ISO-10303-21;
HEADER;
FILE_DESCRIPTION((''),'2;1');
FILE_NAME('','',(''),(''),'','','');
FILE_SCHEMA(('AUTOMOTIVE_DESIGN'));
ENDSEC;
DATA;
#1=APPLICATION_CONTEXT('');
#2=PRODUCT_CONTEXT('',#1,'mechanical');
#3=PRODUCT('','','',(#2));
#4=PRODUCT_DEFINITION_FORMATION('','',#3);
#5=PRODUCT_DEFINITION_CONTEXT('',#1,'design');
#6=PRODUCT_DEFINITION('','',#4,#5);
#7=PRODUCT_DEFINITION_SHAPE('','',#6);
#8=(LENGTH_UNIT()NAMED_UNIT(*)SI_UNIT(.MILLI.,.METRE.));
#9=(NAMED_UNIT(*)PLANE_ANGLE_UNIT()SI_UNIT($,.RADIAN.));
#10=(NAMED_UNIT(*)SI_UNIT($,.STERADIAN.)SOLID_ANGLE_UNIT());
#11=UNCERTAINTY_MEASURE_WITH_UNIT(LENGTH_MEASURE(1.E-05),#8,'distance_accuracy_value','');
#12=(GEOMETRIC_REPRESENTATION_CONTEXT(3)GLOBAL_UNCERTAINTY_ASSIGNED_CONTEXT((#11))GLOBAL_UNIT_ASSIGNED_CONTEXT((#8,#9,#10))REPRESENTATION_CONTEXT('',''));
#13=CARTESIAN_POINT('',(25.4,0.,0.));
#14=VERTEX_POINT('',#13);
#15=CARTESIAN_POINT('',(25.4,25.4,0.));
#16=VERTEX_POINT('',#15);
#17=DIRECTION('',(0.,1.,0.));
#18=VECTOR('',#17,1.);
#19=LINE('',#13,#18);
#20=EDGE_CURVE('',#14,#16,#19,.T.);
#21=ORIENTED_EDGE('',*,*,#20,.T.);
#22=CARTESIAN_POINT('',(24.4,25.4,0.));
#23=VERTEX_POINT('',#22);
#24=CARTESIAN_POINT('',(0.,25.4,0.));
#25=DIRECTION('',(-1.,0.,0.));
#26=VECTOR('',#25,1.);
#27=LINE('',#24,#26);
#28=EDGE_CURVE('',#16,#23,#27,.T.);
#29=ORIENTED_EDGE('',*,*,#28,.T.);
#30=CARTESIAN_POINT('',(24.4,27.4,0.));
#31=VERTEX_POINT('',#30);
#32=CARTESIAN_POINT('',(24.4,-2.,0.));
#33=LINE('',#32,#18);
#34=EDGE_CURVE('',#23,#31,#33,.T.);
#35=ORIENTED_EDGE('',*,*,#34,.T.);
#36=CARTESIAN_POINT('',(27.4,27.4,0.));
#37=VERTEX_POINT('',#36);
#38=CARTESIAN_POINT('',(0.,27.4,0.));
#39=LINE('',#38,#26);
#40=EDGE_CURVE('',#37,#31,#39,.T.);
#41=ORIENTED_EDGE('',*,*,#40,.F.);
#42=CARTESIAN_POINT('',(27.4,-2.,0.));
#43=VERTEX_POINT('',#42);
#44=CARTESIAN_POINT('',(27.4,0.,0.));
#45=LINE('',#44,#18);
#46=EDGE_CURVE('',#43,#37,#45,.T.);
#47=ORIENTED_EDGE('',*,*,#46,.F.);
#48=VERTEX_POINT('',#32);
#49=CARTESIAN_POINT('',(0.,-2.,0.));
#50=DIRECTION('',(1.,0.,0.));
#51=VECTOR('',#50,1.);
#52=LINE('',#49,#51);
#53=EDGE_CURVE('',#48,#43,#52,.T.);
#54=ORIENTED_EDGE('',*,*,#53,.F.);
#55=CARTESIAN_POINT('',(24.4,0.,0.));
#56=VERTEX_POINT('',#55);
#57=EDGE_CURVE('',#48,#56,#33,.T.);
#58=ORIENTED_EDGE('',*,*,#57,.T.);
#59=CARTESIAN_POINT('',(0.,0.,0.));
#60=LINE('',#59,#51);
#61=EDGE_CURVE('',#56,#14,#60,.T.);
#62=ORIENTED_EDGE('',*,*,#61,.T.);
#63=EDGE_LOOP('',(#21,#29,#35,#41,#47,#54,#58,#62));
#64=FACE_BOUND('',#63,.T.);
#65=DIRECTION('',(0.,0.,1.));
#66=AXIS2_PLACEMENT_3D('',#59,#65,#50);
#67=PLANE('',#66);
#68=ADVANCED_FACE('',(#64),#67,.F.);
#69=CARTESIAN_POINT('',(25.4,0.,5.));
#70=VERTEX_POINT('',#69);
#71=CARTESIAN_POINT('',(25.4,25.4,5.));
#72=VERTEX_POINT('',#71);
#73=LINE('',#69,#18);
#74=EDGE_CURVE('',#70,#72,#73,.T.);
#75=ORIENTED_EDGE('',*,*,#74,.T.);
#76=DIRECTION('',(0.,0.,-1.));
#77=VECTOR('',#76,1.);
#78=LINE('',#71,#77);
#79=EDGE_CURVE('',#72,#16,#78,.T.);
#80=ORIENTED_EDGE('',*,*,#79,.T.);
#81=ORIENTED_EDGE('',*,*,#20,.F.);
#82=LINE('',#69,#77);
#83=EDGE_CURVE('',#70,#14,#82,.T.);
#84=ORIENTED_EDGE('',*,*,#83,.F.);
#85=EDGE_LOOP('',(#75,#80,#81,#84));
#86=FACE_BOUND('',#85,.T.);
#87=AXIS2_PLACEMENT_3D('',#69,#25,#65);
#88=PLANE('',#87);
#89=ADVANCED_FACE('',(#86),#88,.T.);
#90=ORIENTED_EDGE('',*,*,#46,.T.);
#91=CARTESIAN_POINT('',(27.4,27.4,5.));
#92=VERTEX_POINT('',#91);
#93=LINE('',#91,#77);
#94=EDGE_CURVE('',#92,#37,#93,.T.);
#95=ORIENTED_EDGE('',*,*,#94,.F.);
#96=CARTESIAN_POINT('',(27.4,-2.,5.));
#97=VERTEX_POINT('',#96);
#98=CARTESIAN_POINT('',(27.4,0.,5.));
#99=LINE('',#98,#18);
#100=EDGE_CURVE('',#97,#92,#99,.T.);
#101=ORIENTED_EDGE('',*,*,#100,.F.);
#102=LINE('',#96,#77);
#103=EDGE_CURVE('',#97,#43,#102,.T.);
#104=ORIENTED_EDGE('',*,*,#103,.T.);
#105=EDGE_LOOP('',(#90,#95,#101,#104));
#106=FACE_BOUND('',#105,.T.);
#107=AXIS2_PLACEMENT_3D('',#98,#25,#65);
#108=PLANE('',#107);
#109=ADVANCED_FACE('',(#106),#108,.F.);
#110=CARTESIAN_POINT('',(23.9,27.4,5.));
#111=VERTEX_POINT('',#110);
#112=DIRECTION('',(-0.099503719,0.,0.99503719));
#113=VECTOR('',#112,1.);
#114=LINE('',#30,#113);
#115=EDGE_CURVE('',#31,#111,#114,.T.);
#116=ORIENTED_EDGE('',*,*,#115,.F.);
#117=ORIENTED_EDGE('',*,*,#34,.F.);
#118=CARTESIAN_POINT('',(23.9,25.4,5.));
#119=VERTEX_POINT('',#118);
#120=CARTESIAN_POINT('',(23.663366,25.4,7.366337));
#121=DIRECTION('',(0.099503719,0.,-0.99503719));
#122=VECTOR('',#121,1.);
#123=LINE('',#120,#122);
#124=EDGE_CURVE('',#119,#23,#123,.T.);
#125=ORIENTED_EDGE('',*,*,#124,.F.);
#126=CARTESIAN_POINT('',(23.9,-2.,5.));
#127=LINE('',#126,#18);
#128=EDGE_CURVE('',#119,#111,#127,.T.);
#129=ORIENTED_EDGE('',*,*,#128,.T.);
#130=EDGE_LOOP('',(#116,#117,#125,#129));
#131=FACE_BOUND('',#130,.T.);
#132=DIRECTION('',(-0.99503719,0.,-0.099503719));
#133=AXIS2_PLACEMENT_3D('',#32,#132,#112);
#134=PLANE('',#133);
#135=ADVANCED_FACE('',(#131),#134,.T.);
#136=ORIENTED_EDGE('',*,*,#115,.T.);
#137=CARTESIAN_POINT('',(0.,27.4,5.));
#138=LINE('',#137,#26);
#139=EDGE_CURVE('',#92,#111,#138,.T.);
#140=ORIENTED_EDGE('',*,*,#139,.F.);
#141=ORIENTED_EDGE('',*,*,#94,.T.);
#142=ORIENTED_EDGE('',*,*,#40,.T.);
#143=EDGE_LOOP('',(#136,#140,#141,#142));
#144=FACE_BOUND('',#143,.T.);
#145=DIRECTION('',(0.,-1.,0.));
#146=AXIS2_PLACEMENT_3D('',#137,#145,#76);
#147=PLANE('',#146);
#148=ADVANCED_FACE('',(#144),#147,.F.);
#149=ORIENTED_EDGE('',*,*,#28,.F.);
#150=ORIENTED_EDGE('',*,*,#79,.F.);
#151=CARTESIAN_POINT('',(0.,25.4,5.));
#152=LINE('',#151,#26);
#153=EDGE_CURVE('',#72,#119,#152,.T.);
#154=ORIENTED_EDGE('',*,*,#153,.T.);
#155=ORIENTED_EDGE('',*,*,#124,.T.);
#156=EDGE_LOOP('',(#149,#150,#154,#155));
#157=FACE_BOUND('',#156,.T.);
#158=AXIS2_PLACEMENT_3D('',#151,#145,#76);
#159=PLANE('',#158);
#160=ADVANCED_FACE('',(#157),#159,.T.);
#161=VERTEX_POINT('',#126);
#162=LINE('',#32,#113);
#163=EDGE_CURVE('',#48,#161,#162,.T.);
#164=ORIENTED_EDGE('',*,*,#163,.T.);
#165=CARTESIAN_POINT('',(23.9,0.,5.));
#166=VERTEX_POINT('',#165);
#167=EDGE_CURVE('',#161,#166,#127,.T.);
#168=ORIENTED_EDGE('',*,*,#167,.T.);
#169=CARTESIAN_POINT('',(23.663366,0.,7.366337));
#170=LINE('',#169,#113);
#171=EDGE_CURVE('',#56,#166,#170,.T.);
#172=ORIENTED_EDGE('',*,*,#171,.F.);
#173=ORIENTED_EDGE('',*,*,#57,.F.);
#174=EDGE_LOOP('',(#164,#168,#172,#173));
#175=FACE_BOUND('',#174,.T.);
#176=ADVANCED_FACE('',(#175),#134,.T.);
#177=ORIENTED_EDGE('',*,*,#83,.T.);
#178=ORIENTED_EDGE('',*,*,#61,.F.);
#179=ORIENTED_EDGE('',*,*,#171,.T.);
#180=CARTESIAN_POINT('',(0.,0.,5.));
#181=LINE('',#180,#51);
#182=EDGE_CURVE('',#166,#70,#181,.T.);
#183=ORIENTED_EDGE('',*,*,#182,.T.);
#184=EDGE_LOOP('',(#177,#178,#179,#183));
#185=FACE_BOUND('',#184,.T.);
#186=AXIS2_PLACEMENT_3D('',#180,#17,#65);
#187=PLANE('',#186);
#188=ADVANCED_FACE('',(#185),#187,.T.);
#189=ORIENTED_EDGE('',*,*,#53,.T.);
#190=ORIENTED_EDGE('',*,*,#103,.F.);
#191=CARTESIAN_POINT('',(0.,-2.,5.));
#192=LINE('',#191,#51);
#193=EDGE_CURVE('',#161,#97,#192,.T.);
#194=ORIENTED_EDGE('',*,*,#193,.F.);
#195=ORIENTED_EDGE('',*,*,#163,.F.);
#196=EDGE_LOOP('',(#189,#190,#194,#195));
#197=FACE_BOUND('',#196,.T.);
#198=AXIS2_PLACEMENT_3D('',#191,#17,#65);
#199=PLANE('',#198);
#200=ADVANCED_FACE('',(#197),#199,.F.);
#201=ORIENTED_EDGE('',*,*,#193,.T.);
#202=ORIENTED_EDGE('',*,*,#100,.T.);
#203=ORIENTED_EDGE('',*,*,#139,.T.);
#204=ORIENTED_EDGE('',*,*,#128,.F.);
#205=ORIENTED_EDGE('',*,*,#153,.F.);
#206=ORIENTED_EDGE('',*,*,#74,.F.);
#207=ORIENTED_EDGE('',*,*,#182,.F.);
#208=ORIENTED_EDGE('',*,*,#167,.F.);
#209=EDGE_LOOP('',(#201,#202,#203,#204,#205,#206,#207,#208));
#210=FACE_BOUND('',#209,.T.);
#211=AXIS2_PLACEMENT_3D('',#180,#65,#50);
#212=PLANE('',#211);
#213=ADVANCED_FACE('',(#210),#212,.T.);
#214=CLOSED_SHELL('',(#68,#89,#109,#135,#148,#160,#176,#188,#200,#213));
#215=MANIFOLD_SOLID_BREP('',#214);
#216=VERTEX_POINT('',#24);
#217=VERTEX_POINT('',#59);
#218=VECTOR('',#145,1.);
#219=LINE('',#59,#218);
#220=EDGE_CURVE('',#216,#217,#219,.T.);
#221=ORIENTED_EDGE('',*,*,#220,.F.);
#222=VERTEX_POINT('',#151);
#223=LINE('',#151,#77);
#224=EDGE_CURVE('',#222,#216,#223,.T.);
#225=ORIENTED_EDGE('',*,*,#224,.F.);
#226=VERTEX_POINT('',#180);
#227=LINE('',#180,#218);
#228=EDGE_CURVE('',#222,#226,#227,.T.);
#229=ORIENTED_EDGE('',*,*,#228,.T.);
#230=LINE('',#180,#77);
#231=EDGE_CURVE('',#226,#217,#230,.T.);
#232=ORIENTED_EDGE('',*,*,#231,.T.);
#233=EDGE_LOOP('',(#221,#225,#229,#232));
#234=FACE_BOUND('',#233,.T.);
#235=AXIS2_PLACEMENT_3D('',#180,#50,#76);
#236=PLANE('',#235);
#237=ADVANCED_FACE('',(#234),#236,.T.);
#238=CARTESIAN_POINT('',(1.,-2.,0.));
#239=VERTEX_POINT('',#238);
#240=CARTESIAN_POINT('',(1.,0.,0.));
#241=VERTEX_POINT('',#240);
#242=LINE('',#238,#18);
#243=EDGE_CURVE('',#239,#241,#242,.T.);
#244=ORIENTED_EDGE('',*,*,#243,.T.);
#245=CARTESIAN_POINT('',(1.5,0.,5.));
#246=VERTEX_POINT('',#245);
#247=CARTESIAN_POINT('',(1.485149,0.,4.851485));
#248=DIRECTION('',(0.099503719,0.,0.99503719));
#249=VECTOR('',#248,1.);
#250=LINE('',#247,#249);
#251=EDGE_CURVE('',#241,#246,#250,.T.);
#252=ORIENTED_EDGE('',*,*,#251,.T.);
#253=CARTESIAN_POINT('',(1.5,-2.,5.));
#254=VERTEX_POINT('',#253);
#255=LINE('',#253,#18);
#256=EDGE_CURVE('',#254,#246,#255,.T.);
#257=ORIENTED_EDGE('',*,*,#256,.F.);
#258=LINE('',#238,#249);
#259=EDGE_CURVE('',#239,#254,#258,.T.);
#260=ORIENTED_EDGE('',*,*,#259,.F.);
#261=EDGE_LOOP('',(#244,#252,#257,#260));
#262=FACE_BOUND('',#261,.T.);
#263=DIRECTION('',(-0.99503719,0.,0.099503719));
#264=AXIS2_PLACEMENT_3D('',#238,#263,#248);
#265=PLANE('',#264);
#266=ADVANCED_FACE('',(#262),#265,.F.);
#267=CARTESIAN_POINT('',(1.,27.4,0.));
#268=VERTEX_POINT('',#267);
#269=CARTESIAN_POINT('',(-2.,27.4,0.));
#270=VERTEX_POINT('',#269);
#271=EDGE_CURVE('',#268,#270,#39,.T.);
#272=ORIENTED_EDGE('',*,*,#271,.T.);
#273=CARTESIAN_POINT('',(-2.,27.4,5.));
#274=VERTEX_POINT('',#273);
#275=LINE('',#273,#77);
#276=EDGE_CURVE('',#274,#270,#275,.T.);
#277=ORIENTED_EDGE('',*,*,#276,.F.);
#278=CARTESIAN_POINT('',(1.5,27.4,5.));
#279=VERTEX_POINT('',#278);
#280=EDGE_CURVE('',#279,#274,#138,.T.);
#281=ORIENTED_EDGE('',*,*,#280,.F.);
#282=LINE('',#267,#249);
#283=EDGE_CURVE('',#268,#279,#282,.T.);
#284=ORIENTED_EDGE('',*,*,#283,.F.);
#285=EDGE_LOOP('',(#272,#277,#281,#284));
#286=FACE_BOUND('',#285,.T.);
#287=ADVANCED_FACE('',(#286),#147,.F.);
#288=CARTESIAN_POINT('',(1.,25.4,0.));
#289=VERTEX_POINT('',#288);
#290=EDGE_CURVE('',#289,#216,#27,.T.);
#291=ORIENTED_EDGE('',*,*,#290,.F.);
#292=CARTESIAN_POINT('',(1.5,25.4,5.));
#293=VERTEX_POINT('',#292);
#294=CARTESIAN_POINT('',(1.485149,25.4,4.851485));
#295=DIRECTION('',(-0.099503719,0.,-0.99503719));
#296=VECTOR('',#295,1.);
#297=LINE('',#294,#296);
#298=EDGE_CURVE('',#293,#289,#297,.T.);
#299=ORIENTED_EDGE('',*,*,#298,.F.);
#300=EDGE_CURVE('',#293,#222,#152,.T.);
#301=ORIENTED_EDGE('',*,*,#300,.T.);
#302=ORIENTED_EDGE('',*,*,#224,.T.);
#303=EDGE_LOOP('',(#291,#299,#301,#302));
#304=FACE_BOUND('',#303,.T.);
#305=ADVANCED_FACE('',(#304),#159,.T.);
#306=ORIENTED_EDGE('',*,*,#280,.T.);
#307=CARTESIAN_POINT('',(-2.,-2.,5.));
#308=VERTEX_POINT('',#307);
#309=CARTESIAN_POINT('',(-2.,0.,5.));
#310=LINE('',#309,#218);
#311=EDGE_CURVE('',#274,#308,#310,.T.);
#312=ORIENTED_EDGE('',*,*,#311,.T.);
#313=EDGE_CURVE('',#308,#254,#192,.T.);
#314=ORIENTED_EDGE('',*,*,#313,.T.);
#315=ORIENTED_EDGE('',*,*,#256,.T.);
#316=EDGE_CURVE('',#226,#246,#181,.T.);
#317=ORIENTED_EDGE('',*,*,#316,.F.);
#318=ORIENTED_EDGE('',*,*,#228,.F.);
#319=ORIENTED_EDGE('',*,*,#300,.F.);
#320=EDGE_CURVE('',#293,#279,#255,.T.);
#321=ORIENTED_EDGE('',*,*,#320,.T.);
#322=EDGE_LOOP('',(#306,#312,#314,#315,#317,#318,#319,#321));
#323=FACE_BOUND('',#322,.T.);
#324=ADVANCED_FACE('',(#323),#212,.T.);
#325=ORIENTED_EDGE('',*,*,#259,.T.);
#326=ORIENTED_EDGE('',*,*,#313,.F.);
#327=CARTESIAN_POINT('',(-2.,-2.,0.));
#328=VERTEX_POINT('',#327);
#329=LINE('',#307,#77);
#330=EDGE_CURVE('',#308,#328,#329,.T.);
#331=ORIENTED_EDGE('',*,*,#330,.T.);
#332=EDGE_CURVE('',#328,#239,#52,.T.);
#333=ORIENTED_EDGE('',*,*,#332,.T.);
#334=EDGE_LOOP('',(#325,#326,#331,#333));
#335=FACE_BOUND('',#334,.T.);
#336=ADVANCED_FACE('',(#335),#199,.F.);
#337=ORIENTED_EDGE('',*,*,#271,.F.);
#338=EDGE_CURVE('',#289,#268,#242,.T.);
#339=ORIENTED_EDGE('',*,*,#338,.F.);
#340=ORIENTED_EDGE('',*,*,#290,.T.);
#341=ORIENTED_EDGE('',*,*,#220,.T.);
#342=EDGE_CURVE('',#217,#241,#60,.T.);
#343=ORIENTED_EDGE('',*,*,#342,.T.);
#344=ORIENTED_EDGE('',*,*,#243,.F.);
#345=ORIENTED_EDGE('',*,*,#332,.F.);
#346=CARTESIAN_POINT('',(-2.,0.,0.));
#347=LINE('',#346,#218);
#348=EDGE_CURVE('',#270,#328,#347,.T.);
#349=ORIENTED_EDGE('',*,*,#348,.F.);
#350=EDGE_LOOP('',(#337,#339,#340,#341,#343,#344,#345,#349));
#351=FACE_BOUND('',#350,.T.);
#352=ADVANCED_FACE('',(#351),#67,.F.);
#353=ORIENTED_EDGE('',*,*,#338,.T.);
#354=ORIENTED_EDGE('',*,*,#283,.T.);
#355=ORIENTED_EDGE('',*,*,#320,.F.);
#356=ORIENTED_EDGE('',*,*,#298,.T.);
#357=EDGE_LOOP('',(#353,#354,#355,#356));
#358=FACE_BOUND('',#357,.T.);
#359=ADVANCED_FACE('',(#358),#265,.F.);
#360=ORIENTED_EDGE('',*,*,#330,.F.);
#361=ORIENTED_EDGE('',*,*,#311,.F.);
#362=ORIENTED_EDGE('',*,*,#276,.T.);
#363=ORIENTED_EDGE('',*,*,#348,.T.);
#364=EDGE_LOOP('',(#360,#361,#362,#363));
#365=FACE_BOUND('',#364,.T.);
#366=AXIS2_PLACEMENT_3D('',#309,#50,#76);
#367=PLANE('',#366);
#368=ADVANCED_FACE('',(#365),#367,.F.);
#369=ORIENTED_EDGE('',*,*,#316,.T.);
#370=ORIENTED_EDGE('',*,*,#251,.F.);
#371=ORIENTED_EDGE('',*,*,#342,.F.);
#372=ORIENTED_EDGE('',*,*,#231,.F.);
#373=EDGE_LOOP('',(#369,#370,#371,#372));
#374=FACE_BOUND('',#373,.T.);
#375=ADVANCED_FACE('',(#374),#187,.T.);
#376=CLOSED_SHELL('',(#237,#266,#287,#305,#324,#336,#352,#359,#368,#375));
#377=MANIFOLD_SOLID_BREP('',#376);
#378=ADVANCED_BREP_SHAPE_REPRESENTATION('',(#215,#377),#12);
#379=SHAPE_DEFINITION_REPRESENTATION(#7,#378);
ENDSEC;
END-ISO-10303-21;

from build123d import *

# Parameters (mm, degrees)
SKETCH_4_W               = 29.4
SKETCH_4_H               = 29.4
SKETCH_4_W_2             = 25.4
SKETCH_4_H_2             = 25.4
EXTRUDE_1_DEPTH          = 5
CUT_EXTRUDE_1_DEPTH      = 28.4
CUT_EXTRUDE_1_DEPTH_BACK = 3


with BuildPart() as part:
    # 草图4 → 拉伸-薄壁1 (new body)
    with BuildSketch(Plane.XY):
        with Locations((12.7, 12.7)):
            Rectangle(SKETCH_4_W, SKETCH_4_H)
        with Locations((12.7, 12.7)):
            Rectangle(SKETCH_4_W_2, SKETCH_4_H_2, mode=Mode.SUBTRACT)
    extrude(amount=EXTRUDE_1_DEPTH)

    # 草图5 → 切除-拉伸1 (cut, two sides)
    with BuildSketch(Plane(origin=(0, 0, 0), x_dir=(1, 0, 0), z_dir=(0, 1, 0))) as cut_extrude_1_sk:
        Polygon((1, 0), (1.5, -5), (23.9, -5), (24.4, 0), align=None)
    extrude(amount=CUT_EXTRUDE_1_DEPTH, mode=Mode.SUBTRACT)
    extrude(cut_extrude_1_sk.sketch, amount=-CUT_EXTRUDE_1_DEPTH_BACK, mode=Mode.SUBTRACT)


solid = part.part
